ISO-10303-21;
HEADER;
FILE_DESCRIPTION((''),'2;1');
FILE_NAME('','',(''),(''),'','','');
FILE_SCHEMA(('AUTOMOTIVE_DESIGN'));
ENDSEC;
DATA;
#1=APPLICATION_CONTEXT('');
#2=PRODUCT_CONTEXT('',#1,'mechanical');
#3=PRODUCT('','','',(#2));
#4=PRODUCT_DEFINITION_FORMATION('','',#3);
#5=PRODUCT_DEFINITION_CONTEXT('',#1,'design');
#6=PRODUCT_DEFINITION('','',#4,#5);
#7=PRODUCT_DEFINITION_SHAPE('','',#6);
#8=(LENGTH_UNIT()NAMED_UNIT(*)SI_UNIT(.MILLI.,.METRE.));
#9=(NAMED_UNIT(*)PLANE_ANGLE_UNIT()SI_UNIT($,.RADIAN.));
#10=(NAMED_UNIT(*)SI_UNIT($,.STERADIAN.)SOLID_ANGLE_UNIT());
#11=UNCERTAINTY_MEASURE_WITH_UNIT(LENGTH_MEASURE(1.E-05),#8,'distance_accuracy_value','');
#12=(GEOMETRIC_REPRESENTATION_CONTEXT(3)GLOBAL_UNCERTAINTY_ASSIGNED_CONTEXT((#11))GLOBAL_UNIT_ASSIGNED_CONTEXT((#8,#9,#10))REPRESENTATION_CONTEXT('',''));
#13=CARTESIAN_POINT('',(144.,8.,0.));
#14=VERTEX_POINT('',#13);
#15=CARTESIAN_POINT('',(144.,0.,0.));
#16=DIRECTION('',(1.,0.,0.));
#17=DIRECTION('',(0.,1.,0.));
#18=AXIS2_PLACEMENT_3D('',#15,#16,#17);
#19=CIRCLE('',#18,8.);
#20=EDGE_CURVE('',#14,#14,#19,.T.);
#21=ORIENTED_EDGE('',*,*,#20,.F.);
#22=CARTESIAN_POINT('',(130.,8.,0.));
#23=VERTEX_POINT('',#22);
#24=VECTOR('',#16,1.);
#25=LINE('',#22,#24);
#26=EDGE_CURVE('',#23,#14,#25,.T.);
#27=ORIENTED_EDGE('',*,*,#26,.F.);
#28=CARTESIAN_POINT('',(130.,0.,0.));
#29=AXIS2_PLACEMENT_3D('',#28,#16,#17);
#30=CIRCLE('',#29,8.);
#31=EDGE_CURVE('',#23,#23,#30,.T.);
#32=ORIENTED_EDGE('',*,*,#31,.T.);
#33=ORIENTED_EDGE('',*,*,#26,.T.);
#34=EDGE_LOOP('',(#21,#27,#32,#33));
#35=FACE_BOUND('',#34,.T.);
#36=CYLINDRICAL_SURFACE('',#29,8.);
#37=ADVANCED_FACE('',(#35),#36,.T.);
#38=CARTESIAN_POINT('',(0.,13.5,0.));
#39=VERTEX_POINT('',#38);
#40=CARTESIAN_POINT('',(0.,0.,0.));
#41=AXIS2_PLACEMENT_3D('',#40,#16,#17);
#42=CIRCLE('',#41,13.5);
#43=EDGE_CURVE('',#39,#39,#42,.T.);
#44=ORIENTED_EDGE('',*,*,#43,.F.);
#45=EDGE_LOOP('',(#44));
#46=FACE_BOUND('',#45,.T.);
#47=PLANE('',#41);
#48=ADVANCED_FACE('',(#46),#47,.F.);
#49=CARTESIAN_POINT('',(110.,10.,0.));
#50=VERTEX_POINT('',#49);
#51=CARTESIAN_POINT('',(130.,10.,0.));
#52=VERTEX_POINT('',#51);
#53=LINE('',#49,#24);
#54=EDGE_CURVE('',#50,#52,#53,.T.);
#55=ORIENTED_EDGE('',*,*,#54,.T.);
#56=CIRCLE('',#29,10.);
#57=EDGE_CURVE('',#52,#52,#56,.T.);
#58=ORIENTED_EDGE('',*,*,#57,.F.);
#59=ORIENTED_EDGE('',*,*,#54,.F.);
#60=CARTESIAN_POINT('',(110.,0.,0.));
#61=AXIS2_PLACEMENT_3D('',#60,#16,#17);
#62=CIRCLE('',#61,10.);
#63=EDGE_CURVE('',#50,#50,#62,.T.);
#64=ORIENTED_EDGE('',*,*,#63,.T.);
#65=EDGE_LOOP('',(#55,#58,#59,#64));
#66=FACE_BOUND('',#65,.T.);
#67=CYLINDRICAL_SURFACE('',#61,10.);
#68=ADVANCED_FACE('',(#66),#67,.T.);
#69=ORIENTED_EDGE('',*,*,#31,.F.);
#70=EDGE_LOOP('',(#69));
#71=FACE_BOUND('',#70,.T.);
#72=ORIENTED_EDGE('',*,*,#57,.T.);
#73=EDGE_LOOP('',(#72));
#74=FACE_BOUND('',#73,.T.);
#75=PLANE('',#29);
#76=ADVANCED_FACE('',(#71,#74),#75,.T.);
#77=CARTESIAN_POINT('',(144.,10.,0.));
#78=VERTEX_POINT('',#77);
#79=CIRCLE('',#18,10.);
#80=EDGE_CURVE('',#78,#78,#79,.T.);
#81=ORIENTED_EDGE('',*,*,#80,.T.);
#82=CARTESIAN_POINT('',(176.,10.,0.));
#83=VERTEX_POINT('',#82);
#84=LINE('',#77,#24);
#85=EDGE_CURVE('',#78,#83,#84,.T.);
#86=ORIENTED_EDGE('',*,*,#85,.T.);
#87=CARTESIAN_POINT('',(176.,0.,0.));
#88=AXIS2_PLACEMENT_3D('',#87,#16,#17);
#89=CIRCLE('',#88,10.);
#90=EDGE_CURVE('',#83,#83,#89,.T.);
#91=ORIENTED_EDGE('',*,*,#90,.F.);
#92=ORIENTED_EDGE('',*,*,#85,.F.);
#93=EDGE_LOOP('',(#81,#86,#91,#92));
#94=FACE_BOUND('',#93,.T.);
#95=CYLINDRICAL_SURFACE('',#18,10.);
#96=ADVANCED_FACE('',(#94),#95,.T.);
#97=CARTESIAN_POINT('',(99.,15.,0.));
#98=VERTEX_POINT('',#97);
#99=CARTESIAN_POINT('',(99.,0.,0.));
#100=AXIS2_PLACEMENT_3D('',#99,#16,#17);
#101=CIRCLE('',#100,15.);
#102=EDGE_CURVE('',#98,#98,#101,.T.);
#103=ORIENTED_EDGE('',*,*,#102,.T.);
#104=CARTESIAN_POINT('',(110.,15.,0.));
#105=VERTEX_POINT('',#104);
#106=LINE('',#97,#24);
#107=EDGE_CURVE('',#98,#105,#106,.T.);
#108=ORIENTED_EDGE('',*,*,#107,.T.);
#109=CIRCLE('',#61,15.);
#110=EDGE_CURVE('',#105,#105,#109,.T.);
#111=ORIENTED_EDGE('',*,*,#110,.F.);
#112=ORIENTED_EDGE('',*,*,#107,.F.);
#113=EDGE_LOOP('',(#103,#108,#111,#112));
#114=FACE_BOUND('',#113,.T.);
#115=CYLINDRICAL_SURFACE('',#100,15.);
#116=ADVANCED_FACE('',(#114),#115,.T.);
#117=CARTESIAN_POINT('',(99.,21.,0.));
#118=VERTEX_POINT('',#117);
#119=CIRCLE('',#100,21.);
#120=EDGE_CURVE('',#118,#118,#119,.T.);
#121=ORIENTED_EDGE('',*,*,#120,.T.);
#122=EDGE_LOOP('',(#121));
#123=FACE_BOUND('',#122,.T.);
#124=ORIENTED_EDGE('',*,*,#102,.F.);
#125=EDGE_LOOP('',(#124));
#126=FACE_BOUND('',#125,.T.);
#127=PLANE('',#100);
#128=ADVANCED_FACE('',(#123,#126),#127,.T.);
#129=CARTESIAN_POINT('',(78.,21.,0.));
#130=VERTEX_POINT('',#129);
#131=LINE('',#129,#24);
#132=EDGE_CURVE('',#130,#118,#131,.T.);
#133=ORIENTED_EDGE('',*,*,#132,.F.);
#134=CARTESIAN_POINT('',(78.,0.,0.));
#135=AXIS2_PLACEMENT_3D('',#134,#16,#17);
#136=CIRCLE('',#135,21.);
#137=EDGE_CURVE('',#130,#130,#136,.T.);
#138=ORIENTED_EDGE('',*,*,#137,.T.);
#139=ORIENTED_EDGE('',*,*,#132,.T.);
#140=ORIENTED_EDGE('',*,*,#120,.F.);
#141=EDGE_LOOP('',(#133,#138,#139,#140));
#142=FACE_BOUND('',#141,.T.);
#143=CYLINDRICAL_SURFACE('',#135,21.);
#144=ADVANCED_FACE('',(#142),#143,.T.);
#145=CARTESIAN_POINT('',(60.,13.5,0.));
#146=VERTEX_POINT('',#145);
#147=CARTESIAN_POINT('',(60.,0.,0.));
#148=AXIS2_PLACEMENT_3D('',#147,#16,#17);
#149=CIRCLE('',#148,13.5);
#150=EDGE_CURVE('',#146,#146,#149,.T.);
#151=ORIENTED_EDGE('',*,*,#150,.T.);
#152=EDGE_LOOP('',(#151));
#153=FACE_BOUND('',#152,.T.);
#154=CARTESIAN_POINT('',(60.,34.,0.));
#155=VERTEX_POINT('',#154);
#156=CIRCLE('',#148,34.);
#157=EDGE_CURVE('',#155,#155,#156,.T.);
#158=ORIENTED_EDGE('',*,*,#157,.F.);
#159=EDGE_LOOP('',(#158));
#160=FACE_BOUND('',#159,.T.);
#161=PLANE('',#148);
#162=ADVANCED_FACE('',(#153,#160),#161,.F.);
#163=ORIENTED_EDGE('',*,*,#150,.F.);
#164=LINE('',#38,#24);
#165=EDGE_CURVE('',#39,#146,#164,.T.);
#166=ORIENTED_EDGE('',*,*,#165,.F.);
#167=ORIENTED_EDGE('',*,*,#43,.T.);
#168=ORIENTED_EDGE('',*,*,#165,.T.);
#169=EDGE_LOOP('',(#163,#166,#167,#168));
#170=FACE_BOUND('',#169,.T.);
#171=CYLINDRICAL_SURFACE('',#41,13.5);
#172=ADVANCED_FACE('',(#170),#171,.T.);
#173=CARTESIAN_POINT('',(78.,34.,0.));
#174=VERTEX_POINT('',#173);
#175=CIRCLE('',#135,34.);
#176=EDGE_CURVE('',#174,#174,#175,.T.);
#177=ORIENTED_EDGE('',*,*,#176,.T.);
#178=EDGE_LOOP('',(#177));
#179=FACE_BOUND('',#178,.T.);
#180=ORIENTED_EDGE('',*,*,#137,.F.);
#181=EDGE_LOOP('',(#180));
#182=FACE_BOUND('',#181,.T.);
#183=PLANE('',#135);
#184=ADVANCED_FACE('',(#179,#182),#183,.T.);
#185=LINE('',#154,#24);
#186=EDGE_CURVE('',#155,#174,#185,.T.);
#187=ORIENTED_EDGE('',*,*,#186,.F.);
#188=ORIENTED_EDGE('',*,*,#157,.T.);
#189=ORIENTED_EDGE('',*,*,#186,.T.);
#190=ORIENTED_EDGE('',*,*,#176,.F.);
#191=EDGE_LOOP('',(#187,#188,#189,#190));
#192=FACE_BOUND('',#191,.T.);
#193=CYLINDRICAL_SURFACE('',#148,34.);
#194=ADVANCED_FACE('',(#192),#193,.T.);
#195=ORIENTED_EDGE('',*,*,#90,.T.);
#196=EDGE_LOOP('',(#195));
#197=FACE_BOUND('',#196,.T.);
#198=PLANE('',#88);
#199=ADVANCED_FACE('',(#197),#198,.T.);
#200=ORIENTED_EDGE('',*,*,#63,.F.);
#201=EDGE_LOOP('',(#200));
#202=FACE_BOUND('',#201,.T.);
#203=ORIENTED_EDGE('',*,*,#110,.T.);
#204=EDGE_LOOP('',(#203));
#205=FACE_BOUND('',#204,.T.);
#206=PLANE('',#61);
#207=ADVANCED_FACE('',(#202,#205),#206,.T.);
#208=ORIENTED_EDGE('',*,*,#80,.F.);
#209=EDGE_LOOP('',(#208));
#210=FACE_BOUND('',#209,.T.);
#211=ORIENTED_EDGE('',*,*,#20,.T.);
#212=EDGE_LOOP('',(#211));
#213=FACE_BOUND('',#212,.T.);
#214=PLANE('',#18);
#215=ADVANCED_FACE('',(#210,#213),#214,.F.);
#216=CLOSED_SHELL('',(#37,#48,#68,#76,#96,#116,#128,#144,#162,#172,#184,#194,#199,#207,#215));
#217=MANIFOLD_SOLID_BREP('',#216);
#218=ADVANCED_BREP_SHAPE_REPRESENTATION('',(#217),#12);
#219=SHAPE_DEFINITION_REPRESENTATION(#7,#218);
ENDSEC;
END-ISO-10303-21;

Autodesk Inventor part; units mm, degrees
ref_plane "YZ Plane" through (0, 0, 0) normal (1, 0, 0) x (0, 1, 0)
ref_plane "XZ Plane" through (0, 0, 0) normal (0, 1, 0) x (-1, 0, 0)
ref_plane "XY Plane" through (0, 0, 0) normal (0, 0, 1) x (1, 0, 0)
sketch "Sketch1" plane through (0, 0, 0) normal (0, 0, 1) x (1, 0, 0)
  line L0 (0, 0) -> (0, 13.5)
  line L1 (0, 13.5) -> (60, 13.5)
  line L2 (60, 13.5) -> (60, 0) construction
  line L3 (60, 0) -> (60, 34)
  line L4 (60, 34) -> (78, 34)
  line L5 (78, 34) -> (78, 0)
  line L6 (78, 0) -> (78, 21)
  line L7 (78, 21) -> (99, 21)
  line L8 (99, 21) -> (99, 0)
  line L9 (99, 0) -> (99, 15)
  line L10 (99, 15) -> (110, 15)
  line L11 (110, 15) -> (110, 0)
  line L12 (110, 0) -> (110, 10)
  line L13 (110, 10) -> (130, 10)
  line L14 (130, 10) -> (130, 0)
  line L15 (130, 0) -> (130, 8)
  line L16 (130, 8) -> (144, 8)
  line L17 (144, 8) -> (144, 0)
  line L18 (144, 0) -> (144, 10)
  line L19 (144, 10) -> (176, 10)
  line L20 (176, 10) -> (176, 0)
  line L21 (0, 0) -> (291.3618, 0) construction
  line L22 (0, 0) -> (176, 0)
  line L23 (47.9027, 0) -> (47.9027, 4) construction
  line L24 (60, 4) -> (56.5, 4) construction
  line L25 (52.5, 4) -> (40.5, 4)
  line L26 (36.5, 4) -> (33, 4) construction
  line L27 (33, 4) -> (0, 4) construction
  line L28 (46.5, 4) -> (46.5, 2) construction
  line L29 (46.5, 2) -> (40.5, 2) construction
  arc A0 (40.5, 4) -> (40.5, -4) centre (40.5, 0) ccw
  line L30 (46.5, 2) -> (52.5, 2) construction
  arc A1 (52.5, -4) -> (52.5, 4) centre (52.5, 0) ccw
  line L31 (40.5, -4) -> (52.5, -4)
  dimension "d4" = 13.5
  dimension "d5" = 60
  dimension "d9" = 18
  dimension "d10" = 21
  dimension "d11" = 21
  dimension "d12" = 15
  dimension "d13" = 11
  dimension "d14" = 10
  dimension "d15" = 20
  dimension "d16" = 8
  dimension "d17" = 14
  dimension "d18" = 10
  dimension "d19" = 32
  dimension "d28" = 3.5
  dimension "d29" = 20
  dimension "d30" = 3.5
  dimension "d31" = 6
  dimension "d32" = 8
  dimension "d33" = 6
  dimension "d34" = 8
revolve "Revolution1" add sketch "Sketch1" angle 360 about axis through (0, 0, 0) along (1, 0, 0) contours L0 L1 L3 L22 A1 L25 A0 | A0 L25 A1 L22 | L3 L4 L5 L22 | L5 L7 L8 L22 | L8 L10 L11 L22 | L11 L13 L14 L22 | L14 L16 L17 L22 | L17 L18 L19 L20 L22
sketch "Sketch2" plane through (0, 0, 0) normal (-1, 0, 0) x (0, 0, 1)
  circle A0 centre (0, 0) radius 13.5 projected
  line L0 (-13.5, 0) -> (9.5, 0) construction
  line L1 (9.5, 0) -> (9.5, 4) construction
  line L2 (9.5, 0) -> (9.5, -4) construction
  dimension "d21" = 23
  dimension "d22" = 4
  dimension "d23" = 4
